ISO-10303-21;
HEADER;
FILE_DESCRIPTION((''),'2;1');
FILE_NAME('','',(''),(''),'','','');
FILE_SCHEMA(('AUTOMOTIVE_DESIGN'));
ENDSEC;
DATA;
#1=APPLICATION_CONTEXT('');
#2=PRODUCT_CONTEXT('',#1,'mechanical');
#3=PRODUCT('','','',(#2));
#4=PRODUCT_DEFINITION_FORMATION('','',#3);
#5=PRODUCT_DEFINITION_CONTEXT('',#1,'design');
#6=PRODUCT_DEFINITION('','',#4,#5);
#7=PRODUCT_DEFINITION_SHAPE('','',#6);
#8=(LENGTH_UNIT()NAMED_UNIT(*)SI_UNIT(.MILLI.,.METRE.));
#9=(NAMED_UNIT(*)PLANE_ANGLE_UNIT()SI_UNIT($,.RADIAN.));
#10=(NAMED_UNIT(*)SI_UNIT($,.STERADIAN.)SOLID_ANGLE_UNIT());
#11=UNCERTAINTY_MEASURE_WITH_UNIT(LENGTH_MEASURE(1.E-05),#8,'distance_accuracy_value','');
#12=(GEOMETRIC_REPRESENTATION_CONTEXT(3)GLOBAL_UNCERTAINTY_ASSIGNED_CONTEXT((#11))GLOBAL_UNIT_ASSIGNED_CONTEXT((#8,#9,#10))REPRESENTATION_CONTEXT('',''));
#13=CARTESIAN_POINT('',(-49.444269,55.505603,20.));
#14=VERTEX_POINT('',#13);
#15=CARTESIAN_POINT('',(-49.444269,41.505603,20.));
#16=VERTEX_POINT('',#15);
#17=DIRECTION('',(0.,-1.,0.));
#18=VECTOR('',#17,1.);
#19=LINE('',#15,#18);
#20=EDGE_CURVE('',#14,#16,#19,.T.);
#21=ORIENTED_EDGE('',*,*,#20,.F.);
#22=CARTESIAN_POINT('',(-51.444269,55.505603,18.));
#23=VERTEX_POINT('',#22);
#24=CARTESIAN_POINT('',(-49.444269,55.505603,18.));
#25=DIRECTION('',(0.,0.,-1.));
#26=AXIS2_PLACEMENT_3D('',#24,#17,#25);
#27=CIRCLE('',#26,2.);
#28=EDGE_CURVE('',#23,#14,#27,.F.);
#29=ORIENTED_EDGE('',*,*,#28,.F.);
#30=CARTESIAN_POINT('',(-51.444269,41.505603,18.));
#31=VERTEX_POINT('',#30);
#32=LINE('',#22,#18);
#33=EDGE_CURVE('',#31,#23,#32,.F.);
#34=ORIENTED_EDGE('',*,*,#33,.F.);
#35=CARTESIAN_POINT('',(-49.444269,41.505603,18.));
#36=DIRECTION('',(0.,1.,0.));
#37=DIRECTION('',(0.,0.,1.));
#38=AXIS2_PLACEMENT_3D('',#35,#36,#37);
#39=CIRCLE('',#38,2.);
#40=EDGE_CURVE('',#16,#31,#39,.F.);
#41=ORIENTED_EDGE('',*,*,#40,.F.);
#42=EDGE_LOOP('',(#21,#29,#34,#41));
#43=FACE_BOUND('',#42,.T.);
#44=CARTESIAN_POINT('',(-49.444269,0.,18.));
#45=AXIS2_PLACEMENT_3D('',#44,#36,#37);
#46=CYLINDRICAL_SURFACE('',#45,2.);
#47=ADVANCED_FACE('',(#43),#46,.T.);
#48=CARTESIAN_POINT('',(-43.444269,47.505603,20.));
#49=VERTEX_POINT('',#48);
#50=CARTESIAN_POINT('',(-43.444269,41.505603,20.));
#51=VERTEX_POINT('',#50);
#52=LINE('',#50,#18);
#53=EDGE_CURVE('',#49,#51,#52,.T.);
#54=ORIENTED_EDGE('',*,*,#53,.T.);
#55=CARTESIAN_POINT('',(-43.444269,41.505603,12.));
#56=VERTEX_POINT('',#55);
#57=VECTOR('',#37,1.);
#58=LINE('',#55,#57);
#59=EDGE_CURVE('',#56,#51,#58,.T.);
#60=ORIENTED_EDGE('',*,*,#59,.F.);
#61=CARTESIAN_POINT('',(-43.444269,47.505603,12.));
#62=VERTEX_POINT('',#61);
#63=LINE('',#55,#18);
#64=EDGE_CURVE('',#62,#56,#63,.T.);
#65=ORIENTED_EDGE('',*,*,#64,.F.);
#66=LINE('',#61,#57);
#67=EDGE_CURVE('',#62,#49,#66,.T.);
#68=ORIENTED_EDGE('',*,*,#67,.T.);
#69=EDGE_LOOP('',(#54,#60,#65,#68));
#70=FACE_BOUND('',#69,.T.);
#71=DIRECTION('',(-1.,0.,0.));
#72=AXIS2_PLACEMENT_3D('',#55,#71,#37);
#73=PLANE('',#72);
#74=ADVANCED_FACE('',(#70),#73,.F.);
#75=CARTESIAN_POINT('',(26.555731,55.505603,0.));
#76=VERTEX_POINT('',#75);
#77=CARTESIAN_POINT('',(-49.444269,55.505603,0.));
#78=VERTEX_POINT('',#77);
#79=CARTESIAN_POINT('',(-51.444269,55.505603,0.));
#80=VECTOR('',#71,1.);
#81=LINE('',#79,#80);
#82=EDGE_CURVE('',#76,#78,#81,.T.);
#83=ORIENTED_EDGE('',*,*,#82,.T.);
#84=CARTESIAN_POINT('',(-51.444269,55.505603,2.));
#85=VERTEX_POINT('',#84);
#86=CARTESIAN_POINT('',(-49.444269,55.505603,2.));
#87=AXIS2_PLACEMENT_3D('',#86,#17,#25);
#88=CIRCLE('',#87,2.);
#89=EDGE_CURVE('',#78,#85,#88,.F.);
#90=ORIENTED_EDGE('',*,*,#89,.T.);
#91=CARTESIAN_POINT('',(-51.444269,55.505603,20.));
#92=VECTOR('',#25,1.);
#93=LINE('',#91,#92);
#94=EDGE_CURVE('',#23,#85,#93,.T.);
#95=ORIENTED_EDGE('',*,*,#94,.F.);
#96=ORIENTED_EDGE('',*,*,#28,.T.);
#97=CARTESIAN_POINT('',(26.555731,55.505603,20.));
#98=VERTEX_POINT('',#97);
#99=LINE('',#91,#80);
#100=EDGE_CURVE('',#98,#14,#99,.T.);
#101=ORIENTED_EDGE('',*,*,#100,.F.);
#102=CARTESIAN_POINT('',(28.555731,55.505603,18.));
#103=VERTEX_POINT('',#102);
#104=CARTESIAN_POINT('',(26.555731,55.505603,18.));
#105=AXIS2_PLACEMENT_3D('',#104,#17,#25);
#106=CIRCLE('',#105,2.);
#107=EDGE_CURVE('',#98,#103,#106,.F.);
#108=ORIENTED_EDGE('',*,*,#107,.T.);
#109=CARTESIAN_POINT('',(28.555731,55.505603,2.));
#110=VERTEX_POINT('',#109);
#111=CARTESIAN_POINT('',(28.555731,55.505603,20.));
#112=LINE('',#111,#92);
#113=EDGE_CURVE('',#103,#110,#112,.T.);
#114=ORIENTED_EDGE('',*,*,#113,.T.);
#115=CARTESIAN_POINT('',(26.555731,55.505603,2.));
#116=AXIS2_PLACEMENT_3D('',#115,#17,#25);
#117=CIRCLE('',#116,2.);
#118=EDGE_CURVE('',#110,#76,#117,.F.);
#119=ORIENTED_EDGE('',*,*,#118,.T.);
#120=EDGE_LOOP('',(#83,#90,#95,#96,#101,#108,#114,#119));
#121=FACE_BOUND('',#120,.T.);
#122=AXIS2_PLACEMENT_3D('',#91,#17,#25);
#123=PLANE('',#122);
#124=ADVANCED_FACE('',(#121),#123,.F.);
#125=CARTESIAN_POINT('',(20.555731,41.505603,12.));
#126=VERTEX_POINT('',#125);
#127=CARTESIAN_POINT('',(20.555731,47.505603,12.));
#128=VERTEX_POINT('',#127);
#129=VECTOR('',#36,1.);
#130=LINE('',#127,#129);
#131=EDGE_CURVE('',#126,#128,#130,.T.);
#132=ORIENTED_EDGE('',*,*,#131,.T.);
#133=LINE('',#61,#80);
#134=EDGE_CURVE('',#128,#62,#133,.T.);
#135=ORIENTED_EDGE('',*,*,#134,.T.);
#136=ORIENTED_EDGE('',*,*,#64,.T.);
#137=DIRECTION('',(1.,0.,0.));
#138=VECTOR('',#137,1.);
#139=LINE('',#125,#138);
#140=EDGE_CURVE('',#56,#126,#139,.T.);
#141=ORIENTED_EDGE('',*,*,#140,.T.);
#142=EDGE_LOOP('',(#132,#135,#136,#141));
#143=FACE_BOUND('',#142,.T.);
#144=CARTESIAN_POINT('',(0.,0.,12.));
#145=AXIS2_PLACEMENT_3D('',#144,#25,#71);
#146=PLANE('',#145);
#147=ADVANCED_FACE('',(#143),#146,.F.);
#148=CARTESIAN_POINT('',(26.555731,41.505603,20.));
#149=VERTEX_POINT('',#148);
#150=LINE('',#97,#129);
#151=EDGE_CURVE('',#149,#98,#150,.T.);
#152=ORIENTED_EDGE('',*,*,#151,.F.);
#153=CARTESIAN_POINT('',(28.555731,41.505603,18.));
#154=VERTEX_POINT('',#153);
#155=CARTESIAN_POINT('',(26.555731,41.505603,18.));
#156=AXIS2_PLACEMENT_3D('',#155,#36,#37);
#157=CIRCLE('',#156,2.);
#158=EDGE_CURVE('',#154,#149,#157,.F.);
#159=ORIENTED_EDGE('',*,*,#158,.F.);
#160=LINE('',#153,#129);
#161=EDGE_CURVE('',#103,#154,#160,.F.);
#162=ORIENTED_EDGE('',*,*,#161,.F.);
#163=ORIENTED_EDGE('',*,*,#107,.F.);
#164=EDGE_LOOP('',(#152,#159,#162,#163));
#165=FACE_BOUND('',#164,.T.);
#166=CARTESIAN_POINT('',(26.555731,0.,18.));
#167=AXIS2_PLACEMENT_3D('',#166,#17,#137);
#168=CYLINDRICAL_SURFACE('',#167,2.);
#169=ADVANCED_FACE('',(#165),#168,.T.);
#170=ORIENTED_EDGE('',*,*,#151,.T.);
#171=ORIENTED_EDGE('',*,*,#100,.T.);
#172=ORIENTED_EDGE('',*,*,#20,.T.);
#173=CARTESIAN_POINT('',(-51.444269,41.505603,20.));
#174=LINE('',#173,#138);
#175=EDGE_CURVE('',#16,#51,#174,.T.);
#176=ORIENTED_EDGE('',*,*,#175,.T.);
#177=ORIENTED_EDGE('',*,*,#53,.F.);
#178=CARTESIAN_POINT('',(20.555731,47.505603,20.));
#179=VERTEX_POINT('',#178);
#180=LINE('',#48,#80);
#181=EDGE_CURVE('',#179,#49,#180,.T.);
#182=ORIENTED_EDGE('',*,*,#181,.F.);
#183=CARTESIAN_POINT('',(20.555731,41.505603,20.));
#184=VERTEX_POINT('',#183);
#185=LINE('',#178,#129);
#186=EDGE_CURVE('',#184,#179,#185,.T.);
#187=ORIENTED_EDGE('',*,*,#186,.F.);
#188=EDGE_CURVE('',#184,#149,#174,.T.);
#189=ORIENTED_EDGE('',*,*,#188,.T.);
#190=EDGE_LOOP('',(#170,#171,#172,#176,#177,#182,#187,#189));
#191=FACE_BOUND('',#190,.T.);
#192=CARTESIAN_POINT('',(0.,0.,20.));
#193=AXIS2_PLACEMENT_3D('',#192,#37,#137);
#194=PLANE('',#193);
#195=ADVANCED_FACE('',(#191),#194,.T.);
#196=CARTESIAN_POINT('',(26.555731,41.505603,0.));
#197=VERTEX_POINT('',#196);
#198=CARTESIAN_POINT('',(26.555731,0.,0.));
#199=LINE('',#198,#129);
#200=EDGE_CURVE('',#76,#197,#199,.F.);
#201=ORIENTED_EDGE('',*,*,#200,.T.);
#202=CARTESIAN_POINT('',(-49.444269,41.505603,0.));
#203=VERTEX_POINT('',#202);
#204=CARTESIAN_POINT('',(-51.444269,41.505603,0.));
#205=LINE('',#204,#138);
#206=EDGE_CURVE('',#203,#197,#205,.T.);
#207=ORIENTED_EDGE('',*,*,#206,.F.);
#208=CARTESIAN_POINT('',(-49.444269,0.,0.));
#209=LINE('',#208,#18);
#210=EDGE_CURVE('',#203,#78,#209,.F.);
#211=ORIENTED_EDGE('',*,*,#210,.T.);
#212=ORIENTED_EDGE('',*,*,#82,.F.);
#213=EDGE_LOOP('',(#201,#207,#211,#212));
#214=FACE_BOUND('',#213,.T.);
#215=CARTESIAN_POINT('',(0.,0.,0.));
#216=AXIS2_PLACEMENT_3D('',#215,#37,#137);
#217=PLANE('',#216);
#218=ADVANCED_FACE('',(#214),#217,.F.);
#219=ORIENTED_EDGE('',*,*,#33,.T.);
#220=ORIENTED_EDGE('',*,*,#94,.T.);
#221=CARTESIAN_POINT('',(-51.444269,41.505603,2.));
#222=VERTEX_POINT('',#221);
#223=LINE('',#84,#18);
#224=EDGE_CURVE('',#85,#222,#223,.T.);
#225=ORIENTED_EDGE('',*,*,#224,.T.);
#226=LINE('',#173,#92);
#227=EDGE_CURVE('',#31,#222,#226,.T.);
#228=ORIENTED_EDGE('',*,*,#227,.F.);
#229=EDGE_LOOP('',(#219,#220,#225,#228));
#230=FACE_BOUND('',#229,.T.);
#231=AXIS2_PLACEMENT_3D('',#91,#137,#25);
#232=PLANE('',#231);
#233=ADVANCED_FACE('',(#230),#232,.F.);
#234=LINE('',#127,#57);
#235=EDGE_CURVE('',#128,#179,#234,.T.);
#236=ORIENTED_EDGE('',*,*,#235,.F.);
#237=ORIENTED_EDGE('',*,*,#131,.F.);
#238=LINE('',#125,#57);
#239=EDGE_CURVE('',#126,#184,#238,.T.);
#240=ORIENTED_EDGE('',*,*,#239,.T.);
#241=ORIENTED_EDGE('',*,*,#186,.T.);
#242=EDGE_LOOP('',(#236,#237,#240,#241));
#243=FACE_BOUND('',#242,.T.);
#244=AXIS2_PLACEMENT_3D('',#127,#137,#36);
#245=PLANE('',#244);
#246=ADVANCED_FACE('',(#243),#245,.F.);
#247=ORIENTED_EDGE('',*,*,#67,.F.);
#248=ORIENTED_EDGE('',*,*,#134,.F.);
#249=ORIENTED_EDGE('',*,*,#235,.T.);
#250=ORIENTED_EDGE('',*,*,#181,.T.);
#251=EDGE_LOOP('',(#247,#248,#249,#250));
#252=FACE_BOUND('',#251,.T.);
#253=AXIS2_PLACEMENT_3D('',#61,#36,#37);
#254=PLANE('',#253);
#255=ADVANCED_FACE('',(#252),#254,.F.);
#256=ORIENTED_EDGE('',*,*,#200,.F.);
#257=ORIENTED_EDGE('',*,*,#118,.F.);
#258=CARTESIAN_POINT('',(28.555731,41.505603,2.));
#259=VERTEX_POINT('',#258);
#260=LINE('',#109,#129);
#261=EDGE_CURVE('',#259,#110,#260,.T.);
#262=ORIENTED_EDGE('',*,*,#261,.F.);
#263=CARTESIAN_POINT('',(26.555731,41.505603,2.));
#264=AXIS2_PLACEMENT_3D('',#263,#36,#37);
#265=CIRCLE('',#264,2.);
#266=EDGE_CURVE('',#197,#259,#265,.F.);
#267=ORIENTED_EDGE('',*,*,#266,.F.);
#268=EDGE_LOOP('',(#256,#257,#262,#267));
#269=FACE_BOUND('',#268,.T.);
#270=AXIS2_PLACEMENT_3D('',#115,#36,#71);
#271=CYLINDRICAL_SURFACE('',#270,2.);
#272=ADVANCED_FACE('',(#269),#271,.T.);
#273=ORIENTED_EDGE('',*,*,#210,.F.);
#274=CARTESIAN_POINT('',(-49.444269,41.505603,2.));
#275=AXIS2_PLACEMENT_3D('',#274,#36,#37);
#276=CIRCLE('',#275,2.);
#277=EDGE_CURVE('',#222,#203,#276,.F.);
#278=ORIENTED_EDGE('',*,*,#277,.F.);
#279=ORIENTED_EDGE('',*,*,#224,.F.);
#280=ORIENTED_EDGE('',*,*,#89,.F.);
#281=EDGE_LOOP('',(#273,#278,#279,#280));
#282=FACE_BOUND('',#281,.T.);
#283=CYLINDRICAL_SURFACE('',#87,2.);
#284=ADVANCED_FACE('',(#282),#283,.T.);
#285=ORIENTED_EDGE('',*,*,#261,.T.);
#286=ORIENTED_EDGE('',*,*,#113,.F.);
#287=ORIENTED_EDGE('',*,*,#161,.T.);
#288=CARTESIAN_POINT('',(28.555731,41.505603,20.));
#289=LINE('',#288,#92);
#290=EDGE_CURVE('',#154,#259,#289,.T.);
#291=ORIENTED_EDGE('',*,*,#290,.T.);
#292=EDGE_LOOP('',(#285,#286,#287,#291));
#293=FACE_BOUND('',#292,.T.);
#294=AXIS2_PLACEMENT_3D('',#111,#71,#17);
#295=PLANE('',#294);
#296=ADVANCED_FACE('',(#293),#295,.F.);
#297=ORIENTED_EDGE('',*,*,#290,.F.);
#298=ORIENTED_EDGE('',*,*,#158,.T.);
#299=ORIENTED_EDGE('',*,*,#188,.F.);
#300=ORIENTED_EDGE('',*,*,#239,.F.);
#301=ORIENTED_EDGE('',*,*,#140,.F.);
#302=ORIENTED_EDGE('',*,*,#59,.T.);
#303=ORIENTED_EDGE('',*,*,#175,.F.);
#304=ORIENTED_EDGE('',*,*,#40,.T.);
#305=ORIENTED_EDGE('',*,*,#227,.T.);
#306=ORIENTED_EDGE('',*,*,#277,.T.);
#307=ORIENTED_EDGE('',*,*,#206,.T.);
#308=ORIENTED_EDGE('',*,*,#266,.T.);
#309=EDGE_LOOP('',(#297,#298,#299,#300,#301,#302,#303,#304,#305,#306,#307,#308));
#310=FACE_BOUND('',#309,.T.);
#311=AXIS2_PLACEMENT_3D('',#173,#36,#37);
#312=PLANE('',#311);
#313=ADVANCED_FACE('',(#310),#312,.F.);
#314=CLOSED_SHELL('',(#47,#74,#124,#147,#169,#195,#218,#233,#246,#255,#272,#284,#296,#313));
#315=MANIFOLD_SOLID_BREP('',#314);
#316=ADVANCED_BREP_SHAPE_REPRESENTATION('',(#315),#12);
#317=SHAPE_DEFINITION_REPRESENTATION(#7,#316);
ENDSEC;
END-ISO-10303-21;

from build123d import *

# Parameters (mm, degrees)
IZIM1_W                     = 80
IZIM1_H                     = 14
Y_KSEKLIK_EKSTR_ZYON1_DEPTH = 20
KES_EKSTR_ZYON1_DEPTH       = 8
RADYUS1_R                   = 2


with BuildPart() as part:
    # Çizim1 → Yükseklik-Ekstrüzyon1 (new body)
    with BuildSketch(Plane.XY):
        with Locations((-11.444268973, 48.50560342)):
            Rectangle(IZIM1_W, IZIM1_H)
    extrude(amount=Y_KSEKLIK_EKSTR_ZYON1_DEPTH)

    # Çizim2 → Kes-Ekstrüzyon1 (cut)
    with BuildSketch(Plane.XY.offset(20)):
        Polygon((-11.444268973, 41.50560342), (-43.444268973, 41.50560342), (-43.444268973, 47.50560342), (20.555731027, 47.50560342), (20.555731027, 41.50560342), align=None)
    extrude(amount=-KES_EKSTR_ZYON1_DEPTH, mode=Mode.SUBTRACT)

    # Radyus1
    radyus1_edges = [part.edges().sort_by_distance(p)[0] for p in [
        (28.555731027, 48.50560342, 20),
        (-51.444268973, 48.50560342, 20),
        (28.555731027, 48.50560342, 0),
        (-51.444268973, 48.50560342, 0),
    ]]
    fillet(radyus1_edges, radius=RADYUS1_R)


solid = part.part
